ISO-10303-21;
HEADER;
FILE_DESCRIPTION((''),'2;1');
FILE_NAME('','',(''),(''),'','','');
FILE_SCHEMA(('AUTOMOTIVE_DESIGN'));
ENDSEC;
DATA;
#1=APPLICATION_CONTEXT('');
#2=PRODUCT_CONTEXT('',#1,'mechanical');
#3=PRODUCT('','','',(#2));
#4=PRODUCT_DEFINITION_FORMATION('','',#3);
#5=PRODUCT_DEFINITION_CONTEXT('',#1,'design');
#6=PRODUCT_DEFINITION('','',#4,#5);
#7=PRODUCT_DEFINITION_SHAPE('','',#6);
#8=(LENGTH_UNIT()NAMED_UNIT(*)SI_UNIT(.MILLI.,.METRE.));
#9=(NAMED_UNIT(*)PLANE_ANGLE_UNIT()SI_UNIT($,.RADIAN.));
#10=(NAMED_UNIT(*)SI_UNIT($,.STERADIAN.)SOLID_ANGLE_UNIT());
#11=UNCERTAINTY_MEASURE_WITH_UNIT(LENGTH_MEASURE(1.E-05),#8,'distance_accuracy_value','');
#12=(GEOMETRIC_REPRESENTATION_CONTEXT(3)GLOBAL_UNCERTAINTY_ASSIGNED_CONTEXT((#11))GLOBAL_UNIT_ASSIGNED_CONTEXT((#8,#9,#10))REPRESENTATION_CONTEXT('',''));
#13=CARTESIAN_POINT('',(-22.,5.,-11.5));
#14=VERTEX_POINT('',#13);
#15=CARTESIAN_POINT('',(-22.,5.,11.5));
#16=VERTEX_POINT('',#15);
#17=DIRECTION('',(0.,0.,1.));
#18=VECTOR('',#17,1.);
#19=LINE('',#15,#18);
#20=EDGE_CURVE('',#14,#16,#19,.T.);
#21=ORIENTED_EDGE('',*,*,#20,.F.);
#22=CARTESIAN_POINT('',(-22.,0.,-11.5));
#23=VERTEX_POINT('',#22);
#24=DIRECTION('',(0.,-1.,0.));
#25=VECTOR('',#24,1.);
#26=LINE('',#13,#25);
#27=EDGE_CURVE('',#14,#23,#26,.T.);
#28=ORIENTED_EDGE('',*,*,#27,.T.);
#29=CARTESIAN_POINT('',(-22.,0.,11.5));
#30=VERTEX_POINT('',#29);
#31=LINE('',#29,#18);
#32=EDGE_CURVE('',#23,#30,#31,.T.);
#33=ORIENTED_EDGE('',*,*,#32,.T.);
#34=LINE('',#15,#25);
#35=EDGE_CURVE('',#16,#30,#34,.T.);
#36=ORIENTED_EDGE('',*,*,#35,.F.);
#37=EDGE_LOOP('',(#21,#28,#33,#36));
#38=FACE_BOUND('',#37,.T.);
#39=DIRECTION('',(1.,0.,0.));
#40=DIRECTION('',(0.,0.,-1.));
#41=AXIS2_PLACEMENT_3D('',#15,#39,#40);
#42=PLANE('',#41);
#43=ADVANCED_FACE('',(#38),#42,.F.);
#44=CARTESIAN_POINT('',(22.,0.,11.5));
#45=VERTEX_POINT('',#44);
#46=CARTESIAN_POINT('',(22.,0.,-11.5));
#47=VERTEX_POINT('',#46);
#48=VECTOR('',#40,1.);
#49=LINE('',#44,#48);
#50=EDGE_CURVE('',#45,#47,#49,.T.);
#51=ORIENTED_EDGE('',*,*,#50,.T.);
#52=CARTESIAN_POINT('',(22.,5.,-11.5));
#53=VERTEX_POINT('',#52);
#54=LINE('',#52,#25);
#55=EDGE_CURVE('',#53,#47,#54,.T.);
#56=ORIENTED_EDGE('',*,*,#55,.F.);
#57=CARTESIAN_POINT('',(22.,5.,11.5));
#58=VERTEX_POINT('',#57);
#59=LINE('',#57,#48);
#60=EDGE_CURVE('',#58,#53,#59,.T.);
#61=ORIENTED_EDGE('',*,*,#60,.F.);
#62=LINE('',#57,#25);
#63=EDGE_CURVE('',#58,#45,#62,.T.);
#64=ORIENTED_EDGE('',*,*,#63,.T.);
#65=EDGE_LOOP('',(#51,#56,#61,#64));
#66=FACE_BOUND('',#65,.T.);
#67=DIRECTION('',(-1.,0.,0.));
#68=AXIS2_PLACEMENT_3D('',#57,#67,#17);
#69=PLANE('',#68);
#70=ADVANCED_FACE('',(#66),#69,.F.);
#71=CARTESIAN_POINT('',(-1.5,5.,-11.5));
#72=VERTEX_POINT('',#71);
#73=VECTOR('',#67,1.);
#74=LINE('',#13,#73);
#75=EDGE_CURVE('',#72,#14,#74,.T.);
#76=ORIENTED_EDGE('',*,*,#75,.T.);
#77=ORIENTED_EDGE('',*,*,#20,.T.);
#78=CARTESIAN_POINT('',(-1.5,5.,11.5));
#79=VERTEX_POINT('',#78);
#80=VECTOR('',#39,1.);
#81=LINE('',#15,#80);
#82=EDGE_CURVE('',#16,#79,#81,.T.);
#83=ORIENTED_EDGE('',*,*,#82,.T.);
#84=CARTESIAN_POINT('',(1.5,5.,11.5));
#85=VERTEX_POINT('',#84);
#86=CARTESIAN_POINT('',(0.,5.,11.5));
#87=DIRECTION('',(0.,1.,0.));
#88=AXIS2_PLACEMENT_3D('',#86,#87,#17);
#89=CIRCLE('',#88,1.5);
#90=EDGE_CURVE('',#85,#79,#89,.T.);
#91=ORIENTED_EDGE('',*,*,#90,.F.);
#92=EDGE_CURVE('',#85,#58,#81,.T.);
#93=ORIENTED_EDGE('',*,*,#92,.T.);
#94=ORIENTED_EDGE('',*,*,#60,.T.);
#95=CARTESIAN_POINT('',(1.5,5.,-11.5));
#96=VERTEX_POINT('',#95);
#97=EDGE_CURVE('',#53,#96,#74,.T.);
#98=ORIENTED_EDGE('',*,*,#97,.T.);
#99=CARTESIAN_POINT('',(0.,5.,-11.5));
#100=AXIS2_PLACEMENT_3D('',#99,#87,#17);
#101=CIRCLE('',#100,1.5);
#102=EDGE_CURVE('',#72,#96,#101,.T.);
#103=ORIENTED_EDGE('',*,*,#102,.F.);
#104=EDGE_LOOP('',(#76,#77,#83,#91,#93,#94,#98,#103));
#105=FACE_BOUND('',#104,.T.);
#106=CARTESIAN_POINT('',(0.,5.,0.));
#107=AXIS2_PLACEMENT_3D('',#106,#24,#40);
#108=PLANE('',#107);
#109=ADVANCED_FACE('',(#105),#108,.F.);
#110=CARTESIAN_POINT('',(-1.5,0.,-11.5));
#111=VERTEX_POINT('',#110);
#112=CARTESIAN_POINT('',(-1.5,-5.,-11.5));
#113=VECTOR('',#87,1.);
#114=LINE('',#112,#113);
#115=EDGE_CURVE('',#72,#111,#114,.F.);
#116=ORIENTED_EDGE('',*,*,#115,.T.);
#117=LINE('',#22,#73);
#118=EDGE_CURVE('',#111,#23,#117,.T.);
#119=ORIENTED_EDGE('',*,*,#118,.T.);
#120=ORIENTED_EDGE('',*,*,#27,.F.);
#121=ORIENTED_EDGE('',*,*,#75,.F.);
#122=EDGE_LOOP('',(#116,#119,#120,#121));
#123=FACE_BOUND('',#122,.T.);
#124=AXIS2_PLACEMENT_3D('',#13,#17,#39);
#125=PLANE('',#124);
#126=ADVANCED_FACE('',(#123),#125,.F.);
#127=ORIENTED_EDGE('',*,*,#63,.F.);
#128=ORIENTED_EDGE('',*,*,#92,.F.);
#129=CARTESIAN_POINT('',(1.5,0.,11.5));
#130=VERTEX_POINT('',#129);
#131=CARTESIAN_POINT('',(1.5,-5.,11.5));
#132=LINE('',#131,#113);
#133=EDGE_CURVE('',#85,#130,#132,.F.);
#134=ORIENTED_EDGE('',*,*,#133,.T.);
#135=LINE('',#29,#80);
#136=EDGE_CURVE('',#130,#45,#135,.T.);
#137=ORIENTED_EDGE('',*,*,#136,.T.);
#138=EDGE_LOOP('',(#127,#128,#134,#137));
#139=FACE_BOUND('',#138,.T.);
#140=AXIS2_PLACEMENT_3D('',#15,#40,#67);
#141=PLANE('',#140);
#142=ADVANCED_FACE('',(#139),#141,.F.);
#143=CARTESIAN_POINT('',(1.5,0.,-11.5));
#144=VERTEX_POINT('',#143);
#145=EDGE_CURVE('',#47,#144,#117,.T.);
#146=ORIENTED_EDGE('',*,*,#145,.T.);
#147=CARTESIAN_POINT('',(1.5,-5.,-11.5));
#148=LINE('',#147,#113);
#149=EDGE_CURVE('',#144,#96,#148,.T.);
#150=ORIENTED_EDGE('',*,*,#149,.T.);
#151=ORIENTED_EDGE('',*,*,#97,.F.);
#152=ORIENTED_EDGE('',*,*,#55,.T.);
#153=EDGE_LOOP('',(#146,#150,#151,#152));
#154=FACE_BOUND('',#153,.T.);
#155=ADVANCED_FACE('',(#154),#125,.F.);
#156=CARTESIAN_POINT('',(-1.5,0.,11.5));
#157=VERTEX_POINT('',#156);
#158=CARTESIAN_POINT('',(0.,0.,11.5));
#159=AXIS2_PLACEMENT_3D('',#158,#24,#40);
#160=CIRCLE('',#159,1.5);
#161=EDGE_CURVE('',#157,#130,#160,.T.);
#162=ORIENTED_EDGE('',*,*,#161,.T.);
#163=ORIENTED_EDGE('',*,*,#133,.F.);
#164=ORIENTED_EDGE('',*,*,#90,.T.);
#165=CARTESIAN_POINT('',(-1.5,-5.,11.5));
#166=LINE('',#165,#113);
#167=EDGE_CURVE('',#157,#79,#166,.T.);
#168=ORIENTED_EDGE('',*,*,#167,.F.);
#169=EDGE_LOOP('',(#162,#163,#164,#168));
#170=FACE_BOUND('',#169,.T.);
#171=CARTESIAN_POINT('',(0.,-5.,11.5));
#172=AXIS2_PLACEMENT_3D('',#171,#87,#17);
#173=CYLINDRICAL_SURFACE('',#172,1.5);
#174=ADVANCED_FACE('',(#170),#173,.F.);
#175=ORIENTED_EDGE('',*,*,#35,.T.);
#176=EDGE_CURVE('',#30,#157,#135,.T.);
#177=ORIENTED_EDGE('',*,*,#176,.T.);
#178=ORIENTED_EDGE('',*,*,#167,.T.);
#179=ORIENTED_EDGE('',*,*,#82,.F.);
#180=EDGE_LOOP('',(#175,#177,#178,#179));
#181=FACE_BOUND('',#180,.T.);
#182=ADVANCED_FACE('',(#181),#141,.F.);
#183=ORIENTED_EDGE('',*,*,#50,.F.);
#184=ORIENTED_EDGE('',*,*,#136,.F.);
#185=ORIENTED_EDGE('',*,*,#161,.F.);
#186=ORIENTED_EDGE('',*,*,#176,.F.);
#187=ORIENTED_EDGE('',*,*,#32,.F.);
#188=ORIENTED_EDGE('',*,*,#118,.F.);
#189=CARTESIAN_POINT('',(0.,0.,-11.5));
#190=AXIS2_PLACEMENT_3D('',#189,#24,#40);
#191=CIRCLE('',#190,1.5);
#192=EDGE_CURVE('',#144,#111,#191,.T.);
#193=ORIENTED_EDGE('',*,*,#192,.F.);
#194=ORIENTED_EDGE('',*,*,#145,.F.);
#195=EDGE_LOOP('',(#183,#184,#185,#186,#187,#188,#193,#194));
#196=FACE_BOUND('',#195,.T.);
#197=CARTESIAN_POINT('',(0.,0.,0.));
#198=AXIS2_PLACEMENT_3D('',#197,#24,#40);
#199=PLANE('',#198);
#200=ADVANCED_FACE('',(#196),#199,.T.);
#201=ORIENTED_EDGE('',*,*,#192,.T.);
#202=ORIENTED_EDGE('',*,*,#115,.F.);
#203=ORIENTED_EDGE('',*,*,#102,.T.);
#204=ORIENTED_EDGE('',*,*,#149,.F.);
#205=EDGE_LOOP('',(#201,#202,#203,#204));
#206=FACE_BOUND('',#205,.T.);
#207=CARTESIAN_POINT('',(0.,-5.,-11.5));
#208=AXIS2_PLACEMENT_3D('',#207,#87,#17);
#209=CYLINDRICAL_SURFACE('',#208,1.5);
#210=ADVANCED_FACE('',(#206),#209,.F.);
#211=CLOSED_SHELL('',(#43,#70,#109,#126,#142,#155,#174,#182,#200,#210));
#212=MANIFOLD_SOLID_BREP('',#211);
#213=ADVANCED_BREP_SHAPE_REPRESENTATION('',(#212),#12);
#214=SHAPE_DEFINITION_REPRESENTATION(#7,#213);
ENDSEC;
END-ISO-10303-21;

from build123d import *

# Parameters (mm, degrees)
SKETCH_1_W          = 44
SKETCH_1_H          = 23
EXTRUDE_1_DEPTH     = 5
SKETCH_2_R          = 1.5
CUT_EXTRUDE_1_DEPTH = 10


with BuildPart() as part:
    # 草图1 → 凸台-拉伸1 (new body)
    with BuildSketch(Plane(origin=(0, 0, 0), x_dir=(1, 0, 0), z_dir=(0, 1, 0))):
        Rectangle(SKETCH_1_W, SKETCH_1_H)
    extrude(amount=EXTRUDE_1_DEPTH)

    # 草图2 → 切除-拉伸1 (cut)
    with BuildSketch(Plane(origin=(0, 5, 0), x_dir=(1, 0, 0), z_dir=(0, 1, 0))):
        with Locations((0, 11.5)):
            Circle(SKETCH_2_R)
        with Locations((0, -11.5)):
            Circle(SKETCH_2_R)
    extrude(amount=-CUT_EXTRUDE_1_DEPTH, mode=Mode.SUBTRACT)


solid = part.part
